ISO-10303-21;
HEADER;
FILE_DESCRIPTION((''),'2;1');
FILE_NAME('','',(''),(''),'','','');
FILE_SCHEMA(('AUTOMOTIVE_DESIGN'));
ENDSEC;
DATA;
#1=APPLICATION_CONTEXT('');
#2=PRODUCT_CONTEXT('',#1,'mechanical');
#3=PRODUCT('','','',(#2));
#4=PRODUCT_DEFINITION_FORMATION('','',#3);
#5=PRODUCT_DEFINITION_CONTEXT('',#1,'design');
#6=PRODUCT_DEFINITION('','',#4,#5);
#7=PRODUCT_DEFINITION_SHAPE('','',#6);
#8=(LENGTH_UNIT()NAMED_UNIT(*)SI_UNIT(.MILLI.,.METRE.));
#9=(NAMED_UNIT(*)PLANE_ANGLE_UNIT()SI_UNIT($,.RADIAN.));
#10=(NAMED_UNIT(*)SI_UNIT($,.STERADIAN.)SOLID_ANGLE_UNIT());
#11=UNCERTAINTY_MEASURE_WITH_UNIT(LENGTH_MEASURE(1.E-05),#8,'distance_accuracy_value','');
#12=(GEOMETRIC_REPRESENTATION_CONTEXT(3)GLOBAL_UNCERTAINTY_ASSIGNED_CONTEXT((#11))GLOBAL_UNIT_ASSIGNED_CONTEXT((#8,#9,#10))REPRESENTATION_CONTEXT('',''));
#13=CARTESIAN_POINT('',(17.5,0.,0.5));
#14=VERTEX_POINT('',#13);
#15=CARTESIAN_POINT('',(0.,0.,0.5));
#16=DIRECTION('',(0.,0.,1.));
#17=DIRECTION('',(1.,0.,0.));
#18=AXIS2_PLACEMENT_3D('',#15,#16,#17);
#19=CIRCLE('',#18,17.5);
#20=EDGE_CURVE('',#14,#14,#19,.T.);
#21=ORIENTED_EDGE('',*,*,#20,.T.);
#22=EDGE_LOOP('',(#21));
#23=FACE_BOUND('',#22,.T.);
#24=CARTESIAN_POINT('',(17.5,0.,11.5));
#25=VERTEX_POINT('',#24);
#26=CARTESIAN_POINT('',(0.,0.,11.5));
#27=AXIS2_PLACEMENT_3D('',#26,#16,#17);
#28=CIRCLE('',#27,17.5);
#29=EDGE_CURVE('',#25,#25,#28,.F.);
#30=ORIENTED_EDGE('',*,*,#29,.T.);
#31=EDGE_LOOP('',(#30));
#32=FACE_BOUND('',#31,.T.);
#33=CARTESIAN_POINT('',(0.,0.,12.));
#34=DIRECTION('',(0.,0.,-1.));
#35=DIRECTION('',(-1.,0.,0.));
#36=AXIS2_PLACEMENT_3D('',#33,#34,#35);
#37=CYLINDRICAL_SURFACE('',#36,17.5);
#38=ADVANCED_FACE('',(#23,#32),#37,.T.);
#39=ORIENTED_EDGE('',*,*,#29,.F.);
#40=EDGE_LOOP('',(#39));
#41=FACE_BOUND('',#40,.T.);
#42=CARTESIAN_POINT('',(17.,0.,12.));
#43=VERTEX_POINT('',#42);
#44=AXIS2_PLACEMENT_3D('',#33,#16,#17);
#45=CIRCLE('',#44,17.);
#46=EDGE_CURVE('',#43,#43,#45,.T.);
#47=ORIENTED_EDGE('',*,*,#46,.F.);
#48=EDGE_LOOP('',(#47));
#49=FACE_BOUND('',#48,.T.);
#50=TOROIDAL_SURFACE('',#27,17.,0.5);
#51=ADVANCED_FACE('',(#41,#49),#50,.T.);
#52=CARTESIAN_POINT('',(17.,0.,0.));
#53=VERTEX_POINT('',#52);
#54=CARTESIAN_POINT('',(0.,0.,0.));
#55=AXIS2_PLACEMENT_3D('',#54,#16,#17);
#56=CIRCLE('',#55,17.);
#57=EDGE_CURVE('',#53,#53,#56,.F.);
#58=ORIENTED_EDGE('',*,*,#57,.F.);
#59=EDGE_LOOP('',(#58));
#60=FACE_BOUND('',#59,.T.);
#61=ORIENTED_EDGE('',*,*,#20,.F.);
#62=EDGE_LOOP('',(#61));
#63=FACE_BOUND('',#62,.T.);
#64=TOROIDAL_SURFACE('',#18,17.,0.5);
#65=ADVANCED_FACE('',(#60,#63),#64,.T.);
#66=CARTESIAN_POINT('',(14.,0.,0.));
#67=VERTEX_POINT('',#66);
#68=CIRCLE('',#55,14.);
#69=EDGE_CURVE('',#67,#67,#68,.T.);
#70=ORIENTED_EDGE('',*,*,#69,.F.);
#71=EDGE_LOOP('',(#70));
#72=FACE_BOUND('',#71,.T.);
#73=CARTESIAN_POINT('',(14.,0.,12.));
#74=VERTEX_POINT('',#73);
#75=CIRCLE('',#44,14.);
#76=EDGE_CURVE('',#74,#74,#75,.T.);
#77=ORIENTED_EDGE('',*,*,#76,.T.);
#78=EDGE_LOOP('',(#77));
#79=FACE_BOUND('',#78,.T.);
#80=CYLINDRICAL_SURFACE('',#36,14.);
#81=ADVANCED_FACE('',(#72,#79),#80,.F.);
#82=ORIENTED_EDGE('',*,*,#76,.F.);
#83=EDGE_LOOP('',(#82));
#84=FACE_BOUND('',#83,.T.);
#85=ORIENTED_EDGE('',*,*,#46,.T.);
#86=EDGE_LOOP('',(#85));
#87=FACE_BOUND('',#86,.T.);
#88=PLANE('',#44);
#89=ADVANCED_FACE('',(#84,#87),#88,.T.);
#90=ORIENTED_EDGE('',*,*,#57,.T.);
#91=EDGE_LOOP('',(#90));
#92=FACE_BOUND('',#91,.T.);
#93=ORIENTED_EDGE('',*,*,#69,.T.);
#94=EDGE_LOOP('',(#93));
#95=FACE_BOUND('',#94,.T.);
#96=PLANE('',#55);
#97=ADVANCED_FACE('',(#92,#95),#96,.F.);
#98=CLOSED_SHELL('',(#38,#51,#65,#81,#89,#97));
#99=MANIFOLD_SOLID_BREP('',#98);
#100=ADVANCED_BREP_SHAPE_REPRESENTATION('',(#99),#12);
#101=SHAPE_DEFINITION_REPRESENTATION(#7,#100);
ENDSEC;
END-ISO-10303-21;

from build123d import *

# Parameters (mm, degrees)
ESQUISSE1_R        = 17.5
ESQUISSE1_R_2      = 14
BOSS_EXTRU_1_DEPTH = 12
CONG_1_R           = 0.5


with BuildPart() as part:
    # Esquisse1 → Boss.-Extru.1 (new body)
    with BuildSketch(Plane.XY):
        Circle(ESQUISSE1_R)
        Circle(ESQUISSE1_R_2, mode=Mode.SUBTRACT)
    extrude(amount=BOSS_EXTRU_1_DEPTH)

    # Congé1
    cong_1_edges = [part.edges().sort_by_distance(p)[0] for p in [
        (-17.5, 0, 0),
        (-17.5, 0, 12),
    ]]
    fillet(cong_1_edges, radius=CONG_1_R)


solid = part.part
